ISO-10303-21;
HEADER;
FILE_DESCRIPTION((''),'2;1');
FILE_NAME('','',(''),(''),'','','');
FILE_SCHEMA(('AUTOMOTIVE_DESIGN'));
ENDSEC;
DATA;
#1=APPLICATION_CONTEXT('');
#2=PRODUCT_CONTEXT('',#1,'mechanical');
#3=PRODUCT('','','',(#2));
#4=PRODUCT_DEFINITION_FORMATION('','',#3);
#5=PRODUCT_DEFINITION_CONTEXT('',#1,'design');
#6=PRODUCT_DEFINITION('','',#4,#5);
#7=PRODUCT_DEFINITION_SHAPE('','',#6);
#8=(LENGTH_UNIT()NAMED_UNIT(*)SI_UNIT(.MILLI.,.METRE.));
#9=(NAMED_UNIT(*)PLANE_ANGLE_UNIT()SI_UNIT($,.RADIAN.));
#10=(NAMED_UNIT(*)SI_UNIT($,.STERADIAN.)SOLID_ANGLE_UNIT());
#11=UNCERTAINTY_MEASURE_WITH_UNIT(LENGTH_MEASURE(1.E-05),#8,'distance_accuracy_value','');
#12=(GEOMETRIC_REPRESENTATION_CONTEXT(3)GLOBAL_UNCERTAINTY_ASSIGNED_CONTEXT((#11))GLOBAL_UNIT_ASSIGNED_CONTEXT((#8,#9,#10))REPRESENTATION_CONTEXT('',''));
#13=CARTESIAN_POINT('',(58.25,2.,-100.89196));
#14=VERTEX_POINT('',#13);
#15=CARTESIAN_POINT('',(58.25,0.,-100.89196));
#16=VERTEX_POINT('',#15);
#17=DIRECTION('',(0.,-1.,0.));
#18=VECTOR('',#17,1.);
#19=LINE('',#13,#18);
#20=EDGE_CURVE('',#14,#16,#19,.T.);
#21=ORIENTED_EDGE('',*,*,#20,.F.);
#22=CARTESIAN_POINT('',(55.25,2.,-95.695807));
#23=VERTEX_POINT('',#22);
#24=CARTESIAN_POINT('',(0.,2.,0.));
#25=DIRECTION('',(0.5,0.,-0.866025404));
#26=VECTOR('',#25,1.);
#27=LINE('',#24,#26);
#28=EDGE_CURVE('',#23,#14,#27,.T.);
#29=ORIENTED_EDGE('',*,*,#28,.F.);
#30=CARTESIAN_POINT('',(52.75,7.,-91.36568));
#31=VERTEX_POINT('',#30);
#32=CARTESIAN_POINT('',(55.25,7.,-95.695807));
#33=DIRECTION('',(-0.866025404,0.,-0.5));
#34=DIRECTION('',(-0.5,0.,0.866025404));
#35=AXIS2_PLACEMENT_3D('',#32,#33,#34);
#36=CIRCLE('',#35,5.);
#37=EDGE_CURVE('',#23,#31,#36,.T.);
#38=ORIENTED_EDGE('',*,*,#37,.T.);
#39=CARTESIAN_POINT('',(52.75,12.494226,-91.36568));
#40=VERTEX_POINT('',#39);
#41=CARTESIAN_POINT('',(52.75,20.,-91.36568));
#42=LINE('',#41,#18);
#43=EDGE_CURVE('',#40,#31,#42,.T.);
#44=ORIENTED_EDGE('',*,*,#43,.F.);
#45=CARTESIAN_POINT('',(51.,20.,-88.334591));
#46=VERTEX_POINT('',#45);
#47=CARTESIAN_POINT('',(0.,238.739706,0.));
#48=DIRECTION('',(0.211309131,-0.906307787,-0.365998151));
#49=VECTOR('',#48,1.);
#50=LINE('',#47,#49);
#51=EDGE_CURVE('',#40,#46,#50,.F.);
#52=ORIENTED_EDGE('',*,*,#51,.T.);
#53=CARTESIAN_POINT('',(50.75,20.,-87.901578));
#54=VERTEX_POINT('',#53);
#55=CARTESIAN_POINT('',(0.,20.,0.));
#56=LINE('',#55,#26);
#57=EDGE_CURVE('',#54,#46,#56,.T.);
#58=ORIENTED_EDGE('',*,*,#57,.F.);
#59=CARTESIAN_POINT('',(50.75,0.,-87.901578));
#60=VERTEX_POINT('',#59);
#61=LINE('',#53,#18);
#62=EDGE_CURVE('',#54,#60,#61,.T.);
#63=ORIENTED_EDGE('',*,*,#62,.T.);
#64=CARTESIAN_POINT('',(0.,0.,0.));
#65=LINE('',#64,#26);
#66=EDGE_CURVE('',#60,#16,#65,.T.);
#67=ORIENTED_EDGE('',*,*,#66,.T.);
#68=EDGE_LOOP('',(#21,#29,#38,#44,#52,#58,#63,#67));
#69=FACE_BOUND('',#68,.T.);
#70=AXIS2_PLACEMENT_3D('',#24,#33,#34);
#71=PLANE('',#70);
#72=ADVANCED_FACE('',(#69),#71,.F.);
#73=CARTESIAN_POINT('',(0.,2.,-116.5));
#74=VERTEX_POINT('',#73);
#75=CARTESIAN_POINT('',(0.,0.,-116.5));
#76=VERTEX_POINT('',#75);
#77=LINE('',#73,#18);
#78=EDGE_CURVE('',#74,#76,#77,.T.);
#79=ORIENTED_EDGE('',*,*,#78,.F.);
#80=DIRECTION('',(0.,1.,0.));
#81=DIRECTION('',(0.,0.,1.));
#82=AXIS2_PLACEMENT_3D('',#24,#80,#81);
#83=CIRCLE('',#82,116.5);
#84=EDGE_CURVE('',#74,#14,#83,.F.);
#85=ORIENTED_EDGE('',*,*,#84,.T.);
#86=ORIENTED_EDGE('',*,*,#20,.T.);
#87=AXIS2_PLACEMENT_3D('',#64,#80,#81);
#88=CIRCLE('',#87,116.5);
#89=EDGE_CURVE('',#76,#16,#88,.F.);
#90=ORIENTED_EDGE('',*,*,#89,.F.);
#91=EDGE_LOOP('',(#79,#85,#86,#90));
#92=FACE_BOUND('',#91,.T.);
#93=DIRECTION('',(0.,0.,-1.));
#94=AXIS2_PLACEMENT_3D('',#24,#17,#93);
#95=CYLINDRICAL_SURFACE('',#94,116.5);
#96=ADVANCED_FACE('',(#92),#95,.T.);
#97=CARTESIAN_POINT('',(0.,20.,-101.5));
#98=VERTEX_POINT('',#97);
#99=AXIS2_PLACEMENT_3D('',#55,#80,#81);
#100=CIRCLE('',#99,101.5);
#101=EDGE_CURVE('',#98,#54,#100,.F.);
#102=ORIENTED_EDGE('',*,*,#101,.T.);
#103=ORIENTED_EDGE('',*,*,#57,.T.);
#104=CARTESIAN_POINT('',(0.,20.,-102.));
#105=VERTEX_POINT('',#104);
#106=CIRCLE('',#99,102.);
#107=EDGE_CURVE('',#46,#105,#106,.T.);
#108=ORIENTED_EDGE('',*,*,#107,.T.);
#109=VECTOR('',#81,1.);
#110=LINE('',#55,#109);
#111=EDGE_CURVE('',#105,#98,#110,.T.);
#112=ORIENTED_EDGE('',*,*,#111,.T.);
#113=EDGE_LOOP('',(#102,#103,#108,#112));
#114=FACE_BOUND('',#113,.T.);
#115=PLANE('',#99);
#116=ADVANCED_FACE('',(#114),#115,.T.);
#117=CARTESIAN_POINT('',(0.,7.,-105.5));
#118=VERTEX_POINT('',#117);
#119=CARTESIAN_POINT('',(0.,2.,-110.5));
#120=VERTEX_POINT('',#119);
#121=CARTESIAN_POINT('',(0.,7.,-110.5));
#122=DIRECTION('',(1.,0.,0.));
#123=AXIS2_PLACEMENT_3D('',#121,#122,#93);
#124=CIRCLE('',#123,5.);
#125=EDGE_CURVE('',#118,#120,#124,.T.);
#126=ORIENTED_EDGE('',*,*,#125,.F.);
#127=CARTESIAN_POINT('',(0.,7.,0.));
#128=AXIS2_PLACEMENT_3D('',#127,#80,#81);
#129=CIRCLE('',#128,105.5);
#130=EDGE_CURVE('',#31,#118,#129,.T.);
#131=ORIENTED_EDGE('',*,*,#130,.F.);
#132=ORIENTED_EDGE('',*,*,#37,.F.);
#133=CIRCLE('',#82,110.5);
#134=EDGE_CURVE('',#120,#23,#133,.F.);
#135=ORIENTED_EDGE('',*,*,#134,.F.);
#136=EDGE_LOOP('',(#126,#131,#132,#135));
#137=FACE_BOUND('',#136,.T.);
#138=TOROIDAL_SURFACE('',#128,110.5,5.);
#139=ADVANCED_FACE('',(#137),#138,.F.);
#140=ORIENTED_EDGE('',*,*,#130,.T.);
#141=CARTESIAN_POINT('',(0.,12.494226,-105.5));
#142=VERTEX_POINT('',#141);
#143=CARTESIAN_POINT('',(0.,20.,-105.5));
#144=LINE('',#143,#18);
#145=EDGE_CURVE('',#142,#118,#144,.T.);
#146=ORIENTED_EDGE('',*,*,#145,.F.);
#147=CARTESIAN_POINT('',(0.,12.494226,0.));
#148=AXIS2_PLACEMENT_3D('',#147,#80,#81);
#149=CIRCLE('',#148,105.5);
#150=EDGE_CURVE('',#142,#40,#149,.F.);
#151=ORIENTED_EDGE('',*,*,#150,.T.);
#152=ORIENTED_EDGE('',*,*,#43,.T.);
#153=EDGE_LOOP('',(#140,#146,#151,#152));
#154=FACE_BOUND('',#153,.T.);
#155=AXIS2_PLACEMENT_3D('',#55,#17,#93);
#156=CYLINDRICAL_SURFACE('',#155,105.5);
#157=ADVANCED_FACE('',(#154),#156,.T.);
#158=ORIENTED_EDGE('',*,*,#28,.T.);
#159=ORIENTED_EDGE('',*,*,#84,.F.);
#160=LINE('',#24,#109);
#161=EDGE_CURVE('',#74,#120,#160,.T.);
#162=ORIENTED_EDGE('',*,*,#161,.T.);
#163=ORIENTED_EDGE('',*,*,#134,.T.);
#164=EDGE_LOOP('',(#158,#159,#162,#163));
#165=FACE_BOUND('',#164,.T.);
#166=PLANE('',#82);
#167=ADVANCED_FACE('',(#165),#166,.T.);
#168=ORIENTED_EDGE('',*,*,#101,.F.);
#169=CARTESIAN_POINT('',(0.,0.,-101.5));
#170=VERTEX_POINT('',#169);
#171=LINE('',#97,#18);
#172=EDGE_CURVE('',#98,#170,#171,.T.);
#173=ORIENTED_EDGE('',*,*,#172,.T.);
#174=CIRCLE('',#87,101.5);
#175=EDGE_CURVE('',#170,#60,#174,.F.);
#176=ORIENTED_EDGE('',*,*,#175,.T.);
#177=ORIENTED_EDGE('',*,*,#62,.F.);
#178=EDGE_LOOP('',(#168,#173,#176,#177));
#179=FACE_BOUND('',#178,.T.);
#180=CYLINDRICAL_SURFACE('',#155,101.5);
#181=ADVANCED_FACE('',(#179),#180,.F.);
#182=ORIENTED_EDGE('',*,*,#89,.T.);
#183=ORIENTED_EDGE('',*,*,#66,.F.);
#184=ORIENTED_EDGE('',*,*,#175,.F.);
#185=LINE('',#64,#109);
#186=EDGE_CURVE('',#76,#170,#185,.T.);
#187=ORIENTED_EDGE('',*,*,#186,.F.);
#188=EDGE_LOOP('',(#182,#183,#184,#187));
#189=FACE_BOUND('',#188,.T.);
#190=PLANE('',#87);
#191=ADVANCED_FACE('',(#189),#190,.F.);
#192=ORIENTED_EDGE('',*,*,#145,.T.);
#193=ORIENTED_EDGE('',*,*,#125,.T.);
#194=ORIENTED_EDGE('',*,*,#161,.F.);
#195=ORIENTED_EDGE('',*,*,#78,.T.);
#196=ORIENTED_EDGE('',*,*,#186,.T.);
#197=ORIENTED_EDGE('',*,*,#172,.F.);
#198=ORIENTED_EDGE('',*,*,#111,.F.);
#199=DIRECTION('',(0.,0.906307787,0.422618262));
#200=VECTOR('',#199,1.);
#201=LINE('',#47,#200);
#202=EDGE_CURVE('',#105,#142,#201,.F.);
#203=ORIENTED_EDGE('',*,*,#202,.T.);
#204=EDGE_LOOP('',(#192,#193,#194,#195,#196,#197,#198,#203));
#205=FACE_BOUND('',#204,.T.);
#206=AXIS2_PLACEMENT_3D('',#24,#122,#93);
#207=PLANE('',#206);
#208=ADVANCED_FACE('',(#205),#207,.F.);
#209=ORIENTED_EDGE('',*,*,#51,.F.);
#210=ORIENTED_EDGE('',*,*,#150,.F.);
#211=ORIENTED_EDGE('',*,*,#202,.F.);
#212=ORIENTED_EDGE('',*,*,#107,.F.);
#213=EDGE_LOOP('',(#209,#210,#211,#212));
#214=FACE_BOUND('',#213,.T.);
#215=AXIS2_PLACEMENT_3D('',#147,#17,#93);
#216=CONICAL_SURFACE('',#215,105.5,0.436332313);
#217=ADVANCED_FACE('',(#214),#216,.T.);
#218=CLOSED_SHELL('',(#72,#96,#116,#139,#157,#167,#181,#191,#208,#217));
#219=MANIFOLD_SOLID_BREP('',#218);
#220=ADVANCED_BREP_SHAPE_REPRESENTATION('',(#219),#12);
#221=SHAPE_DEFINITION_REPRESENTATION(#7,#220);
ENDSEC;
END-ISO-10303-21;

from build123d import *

# Parameters (mm, degrees)
BOSS_EXTRUDE1_DEPTH = 2
BOSS_EXTRUDE2_DEPTH = 20
FILLET1_R           = 5
CHAMFER1_SIZE       = 3.5
CHAMFER1_SIZE2      = 7.505774222


with BuildPart() as part:
    # Sketch1 → Boss-Extrude1 (new body)
    with BuildSketch(Plane(origin=(0, 0, 0), x_dir=(1, 0, 0), z_dir=(0, 1, 0))):
        with BuildLine():
            ThreePointArc((58.25, 100.891959541), (30.152418754, 112.530358763), (0, 116.5))
            Line((0, 116.5), (0, 105.5))
            ThreePointArc((0, 105.5), (27.305409258, 101.905174673), (52.75, 91.365680099))
            Line((52.75, 91.365680099), (58.25, 100.891959541))
        make_face()
    extrude(amount=BOSS_EXTRUDE1_DEPTH)

    # Sketch1<3> → Boss-Extrude2 (add)
    with BuildSketch(Plane(origin=(0, 0, 0), x_dir=(1, 0, 0), z_dir=(0, 1, 0))):
        with BuildLine():
            ThreePointArc((52.75, 91.365680099), (27.305409258, 101.905174673), (0, 105.5))
            Line((0, 105.5), (0, 101.5))
            ThreePointArc((0, 101.5), (26.270133078, 98.041471368), (50.75, 87.901578484))
            Line((50.75, 87.901578484), (52.75, 91.365680099))
        make_face()
    extrude(amount=BOSS_EXTRUDE2_DEPTH)

    # Fillet1
    fillet1_edges = [part.edges().sort_by_distance(p)[0] for p in [
        (27.305409258, 2, -101.905174673),
    ]]
    fillet(fillet1_edges, radius=FILLET1_R)

    # Chamfer1
    chamfer1_edges = [part.edges().sort_by_distance(p)[0] for p in [
        (27.305409258, 20, -101.905174673),
    ]]
    chamfer1_side = [part.faces().sort_by_distance(p)[0] for p in [
        (26.486113557, 20, -98.847521491),
    ]]
    chamfer(chamfer1_edges, length=CHAMFER1_SIZE, length2=CHAMFER1_SIZE2, reference=chamfer1_side[0])


solid = part.part
